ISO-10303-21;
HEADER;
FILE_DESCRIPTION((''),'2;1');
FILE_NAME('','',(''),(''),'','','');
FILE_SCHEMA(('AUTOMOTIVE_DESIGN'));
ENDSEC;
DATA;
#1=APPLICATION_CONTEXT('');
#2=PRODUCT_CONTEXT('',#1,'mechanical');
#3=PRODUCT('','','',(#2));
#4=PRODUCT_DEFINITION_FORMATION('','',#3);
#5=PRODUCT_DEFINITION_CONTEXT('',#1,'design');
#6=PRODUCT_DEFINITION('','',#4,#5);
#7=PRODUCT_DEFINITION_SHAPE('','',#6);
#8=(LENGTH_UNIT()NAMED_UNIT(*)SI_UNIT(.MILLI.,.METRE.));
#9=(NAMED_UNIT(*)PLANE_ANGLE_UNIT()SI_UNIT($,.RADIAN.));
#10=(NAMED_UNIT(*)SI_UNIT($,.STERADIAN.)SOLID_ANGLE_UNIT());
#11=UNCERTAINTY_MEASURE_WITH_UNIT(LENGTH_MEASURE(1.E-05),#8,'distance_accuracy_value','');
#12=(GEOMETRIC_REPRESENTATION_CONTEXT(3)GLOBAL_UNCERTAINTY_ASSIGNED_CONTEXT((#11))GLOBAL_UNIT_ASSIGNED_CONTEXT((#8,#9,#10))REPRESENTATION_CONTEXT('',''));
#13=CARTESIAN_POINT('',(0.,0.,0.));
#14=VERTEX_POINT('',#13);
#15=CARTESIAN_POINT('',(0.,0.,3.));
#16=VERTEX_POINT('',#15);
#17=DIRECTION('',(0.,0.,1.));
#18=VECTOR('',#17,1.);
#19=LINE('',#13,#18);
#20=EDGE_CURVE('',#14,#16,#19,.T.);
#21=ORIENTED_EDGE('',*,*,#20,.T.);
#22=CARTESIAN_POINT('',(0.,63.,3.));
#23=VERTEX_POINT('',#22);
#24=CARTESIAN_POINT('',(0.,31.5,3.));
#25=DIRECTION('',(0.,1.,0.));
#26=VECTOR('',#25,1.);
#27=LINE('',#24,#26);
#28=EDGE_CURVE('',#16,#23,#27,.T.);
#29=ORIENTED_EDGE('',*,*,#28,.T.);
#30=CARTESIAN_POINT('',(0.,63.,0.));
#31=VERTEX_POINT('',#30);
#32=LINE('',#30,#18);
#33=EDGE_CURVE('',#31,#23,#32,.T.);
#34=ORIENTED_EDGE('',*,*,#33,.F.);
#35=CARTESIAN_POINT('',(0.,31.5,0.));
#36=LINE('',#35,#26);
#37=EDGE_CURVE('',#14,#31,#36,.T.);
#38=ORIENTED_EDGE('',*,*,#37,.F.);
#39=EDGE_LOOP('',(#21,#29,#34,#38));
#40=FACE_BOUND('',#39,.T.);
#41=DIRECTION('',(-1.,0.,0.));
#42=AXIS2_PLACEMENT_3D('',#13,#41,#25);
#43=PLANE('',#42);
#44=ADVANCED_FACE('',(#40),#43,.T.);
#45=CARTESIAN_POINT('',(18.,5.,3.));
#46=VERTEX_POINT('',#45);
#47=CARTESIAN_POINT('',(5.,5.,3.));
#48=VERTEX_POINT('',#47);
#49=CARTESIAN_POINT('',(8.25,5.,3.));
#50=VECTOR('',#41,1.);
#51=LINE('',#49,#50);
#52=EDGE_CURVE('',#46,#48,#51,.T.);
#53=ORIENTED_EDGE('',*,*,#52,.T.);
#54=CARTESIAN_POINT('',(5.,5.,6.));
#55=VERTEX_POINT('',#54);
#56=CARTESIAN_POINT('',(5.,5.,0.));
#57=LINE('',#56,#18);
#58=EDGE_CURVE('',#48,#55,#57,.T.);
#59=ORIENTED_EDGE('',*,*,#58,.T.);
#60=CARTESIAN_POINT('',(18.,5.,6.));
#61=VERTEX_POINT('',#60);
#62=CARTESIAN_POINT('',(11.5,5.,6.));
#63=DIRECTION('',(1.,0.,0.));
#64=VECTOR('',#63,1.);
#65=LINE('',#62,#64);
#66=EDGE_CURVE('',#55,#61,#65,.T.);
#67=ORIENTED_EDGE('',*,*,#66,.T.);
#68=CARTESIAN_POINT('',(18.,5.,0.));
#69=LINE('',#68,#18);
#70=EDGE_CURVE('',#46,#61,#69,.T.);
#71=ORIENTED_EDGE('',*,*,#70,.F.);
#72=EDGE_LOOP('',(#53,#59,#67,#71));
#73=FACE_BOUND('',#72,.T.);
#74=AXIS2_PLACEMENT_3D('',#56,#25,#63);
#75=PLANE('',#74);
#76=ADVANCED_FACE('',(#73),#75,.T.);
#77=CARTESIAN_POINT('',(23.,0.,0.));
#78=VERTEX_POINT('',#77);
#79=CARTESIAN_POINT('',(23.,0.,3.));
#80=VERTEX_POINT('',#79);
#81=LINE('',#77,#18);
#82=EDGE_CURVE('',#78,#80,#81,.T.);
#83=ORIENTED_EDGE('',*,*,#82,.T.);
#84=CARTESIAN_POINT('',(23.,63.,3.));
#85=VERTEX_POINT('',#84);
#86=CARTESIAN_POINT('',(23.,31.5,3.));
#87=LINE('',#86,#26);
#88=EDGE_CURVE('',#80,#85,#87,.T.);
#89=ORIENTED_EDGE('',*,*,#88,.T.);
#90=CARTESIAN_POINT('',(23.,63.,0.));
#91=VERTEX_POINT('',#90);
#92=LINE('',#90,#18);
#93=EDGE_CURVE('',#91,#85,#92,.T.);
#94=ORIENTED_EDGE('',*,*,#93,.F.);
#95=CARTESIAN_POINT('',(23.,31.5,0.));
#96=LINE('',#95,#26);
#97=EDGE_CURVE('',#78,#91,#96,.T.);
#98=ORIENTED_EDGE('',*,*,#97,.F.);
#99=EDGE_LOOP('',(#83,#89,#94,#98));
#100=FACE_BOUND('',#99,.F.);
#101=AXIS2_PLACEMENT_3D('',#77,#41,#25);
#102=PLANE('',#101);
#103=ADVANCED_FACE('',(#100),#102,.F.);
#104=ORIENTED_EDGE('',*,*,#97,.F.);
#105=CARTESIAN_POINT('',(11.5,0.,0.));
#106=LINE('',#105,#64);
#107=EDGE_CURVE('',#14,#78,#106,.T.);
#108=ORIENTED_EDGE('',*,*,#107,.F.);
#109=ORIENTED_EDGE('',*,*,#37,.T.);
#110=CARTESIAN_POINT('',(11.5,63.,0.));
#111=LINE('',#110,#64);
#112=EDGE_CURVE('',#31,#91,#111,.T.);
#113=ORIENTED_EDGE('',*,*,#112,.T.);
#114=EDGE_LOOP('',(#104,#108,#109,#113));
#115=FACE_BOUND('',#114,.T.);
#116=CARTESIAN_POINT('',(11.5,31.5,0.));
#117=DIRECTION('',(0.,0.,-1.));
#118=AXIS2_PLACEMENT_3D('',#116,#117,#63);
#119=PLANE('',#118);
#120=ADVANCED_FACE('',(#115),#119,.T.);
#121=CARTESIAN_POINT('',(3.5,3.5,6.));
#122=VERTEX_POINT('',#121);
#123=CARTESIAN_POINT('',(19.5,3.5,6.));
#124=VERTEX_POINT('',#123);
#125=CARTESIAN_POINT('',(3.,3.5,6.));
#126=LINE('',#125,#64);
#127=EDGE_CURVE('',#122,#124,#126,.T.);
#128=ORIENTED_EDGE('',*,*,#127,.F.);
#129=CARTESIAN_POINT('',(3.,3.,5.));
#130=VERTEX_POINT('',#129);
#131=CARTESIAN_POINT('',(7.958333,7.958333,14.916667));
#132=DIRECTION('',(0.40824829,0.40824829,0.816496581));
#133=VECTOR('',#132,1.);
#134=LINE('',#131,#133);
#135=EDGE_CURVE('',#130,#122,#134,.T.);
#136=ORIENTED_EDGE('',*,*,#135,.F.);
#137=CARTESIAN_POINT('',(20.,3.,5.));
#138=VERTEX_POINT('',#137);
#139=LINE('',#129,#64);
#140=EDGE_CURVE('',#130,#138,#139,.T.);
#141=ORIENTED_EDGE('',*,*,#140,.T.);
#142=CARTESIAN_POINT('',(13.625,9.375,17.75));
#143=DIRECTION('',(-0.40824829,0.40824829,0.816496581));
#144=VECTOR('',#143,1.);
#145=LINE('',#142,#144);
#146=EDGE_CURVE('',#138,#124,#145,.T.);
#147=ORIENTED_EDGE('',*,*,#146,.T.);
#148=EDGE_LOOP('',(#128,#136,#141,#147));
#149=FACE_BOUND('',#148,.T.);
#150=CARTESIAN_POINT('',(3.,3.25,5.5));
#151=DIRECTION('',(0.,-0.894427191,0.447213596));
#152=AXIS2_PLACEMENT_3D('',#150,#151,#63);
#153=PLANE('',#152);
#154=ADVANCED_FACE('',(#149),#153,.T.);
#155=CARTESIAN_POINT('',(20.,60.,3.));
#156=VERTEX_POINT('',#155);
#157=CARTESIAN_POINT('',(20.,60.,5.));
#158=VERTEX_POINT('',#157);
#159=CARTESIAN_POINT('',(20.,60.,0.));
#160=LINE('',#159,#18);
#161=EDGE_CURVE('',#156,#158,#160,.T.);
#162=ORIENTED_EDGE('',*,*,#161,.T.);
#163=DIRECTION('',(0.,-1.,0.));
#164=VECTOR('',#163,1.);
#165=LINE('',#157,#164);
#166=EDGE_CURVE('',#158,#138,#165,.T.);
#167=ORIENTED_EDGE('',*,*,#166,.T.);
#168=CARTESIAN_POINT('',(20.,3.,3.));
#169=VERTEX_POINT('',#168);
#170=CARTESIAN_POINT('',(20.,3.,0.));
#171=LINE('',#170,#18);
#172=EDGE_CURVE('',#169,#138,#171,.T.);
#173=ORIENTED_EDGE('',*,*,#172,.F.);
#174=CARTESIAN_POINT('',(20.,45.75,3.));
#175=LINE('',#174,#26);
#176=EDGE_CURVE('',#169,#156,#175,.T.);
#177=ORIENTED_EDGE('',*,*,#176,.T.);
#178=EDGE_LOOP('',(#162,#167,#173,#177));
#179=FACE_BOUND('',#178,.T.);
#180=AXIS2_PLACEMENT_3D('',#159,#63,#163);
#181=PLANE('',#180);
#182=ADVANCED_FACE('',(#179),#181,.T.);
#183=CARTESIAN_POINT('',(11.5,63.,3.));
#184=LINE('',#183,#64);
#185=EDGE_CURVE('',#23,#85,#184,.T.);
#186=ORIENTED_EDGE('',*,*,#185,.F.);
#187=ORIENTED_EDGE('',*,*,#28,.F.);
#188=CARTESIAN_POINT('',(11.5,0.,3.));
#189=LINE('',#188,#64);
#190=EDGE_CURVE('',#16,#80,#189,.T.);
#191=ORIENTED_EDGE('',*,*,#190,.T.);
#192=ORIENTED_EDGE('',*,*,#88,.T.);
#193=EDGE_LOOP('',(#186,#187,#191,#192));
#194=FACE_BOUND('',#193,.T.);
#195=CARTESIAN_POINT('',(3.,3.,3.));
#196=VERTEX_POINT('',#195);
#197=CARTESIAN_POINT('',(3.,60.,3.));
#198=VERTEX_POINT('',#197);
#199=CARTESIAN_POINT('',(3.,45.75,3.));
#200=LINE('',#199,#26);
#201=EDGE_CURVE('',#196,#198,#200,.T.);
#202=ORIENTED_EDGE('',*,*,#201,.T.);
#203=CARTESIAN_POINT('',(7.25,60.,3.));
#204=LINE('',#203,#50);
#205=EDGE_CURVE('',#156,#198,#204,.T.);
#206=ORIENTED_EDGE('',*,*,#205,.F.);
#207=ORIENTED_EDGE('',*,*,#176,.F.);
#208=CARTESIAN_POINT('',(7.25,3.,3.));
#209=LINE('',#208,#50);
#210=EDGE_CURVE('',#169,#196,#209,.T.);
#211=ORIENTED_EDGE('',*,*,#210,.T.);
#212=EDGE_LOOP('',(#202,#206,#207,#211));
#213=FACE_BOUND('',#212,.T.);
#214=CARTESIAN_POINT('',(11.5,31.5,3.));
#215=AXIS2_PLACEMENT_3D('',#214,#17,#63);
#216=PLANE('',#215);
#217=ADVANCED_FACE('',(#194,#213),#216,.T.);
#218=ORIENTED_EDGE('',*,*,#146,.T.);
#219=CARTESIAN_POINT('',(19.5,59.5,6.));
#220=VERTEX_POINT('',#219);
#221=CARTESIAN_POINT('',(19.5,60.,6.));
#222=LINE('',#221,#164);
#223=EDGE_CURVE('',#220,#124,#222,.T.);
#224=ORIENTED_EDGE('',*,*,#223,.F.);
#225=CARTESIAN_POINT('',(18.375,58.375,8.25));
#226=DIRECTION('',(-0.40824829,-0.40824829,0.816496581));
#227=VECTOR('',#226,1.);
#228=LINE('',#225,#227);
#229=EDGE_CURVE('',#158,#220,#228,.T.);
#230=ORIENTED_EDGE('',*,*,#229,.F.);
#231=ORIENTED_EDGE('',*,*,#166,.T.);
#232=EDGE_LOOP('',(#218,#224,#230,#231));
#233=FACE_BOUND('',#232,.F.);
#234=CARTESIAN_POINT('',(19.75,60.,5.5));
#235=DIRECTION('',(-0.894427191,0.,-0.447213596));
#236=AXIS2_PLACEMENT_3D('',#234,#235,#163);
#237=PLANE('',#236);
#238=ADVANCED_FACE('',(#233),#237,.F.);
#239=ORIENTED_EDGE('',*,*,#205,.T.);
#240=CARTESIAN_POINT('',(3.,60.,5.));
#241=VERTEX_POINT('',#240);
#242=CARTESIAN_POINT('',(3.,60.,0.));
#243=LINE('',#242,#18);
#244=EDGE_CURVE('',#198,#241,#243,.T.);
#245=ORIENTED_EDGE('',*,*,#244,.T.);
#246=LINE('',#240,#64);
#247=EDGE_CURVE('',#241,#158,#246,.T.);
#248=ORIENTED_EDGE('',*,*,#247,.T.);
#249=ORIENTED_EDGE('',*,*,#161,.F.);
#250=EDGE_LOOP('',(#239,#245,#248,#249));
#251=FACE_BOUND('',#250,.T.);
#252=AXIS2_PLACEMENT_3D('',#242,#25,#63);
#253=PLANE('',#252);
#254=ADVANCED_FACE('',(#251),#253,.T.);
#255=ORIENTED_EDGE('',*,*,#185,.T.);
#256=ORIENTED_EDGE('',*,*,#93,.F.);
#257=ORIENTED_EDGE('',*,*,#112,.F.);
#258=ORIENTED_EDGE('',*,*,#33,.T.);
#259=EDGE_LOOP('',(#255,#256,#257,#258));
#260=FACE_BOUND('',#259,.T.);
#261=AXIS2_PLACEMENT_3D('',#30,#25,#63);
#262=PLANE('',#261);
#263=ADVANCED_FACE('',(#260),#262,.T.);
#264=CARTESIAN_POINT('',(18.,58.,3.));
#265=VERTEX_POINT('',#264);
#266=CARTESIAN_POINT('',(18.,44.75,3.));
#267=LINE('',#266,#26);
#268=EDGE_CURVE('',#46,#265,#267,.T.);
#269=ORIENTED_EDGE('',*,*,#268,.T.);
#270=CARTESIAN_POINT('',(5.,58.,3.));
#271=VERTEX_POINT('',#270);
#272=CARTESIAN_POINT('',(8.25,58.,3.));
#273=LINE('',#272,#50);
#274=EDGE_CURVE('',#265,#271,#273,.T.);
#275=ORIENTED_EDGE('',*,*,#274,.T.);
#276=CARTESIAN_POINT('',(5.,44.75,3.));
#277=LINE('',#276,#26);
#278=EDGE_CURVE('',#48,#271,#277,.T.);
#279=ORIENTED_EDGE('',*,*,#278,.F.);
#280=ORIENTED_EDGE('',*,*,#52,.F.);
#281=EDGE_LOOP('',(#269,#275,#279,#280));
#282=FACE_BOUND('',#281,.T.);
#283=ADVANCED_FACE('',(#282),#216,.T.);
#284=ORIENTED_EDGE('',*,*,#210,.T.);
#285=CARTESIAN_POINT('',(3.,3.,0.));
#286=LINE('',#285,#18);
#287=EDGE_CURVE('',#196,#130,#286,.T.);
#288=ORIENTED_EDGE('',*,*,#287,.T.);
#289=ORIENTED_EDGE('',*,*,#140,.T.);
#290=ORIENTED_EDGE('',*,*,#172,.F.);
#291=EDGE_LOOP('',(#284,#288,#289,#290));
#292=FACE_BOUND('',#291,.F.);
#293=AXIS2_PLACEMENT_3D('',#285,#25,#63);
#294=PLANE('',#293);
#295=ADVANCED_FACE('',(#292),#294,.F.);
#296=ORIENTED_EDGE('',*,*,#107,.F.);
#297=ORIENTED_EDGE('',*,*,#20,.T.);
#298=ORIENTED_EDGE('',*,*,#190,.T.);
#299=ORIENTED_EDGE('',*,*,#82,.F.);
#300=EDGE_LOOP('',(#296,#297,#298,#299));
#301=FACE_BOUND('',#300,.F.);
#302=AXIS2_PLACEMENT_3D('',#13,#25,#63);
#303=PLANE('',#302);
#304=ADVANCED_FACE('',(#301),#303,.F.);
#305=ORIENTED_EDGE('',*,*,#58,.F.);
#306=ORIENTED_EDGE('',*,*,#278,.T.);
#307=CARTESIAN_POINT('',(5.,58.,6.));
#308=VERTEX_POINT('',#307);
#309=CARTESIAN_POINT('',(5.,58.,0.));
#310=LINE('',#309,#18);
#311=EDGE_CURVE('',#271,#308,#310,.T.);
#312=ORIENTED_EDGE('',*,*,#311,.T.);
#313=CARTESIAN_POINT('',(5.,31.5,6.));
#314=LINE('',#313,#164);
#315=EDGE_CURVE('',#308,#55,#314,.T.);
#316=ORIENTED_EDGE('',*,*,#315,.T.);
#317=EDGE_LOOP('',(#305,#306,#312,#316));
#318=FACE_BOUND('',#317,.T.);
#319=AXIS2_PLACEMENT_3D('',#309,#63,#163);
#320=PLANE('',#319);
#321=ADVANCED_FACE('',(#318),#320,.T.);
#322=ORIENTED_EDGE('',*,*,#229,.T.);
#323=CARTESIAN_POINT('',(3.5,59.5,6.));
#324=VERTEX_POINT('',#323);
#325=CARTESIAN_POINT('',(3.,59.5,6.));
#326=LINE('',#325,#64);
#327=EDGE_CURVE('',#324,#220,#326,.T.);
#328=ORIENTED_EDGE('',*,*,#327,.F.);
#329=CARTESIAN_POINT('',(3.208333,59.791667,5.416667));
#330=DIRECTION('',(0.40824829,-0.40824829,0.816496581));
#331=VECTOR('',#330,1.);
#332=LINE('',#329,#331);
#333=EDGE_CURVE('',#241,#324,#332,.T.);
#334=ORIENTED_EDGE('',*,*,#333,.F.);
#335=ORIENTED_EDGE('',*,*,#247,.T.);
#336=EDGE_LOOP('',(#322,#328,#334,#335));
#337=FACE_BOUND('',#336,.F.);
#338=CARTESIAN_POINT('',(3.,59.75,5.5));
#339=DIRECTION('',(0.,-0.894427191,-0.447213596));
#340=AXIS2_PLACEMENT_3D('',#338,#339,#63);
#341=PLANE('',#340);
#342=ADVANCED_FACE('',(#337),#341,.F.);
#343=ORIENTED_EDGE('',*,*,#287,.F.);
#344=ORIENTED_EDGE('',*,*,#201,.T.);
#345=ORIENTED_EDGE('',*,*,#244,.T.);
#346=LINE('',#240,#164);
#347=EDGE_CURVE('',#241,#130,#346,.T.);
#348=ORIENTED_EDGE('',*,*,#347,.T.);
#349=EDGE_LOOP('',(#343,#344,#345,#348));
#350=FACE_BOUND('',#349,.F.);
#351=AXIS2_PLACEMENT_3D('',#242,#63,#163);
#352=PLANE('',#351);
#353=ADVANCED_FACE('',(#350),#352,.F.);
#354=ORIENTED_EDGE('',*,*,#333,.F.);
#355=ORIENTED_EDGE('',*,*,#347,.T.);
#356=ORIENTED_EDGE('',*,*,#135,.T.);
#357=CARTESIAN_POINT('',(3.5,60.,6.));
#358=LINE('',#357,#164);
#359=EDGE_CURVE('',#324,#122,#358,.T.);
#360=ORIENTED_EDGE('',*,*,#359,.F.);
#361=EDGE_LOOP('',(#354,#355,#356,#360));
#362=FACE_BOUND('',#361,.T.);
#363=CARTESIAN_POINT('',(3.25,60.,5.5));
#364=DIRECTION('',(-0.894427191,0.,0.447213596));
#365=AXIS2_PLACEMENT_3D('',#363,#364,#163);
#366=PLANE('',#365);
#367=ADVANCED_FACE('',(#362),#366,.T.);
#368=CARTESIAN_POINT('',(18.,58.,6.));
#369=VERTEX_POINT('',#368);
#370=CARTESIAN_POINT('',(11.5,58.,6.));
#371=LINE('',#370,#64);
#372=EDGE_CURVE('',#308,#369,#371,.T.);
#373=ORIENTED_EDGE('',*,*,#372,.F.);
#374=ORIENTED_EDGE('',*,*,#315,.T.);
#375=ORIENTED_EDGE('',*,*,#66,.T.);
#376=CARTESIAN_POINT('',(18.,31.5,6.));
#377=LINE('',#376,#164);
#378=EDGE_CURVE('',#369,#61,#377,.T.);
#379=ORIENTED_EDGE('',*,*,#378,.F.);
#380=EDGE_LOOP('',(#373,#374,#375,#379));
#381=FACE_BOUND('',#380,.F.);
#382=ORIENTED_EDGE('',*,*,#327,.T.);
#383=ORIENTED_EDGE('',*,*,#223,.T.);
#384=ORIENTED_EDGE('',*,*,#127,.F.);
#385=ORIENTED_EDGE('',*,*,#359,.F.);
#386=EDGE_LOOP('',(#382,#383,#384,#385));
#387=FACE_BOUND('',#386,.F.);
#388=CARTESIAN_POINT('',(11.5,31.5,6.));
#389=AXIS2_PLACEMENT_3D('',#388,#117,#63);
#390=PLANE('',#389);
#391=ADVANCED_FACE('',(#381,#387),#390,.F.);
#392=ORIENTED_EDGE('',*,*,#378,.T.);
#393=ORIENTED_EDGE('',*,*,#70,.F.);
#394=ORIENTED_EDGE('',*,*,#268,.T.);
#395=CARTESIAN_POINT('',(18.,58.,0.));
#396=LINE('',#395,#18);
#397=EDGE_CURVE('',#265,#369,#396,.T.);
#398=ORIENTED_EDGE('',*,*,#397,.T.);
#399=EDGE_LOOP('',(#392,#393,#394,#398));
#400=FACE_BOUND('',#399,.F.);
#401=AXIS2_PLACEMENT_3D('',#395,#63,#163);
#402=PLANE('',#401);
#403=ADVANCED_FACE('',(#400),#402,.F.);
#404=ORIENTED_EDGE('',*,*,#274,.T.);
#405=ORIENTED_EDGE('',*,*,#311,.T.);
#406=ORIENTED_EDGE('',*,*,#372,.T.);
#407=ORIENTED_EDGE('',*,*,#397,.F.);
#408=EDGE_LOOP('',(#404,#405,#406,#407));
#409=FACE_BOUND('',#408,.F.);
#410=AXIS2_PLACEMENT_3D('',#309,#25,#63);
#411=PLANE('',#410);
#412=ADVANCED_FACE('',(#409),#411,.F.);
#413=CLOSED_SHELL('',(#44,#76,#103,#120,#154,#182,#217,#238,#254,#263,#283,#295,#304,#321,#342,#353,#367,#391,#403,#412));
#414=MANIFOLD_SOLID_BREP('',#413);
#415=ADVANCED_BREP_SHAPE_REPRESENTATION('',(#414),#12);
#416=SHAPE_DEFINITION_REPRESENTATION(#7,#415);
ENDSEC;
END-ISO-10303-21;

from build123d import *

# Parameters (mm, degrees)
F0_W     = 23
F0_H     = 63
F1_DEPTH = 3
F2_W     = 17
F2_H     = 57
F2_W_2   = 13
F2_H_2   = 53
F3_DEPTH = 6
F4_SIZE2 = 0.5
F4_SIZE  = 1


with BuildPart() as f1:
    # F0 (on Top) → F1 (new body)
    with BuildSketch(Plane.XY):
        with Locations((11.5, 31.5)):
            Rectangle(F0_W, F0_H)
    extrude(amount=F1_DEPTH)

    # F2 (on face) → F3 (join)
    with BuildSketch(Plane(origin=(0, 0, 0), x_dir=(1, 0, 0), z_dir=(0, 0, -1))):
        with Locations((11.5, -31.5)):
            Rectangle(F2_W, F2_H)
        with Locations((11.5, -31.5)):
            Rectangle(F2_W_2, F2_H_2, mode=Mode.SUBTRACT)
    extrude(amount=-F3_DEPTH)

    # F4
    f4_edges = [f1.edges().sort_by_distance(p)[0] for p in [
        (11.5, 3, 6),
        (20, 31.5, 6),
        (3, 31.5, 6),
        (11.5, 60, 6),
    ]]
    chamfer(f4_edges, length=F4_SIZE, length2=F4_SIZE2)


solid = f1.part
